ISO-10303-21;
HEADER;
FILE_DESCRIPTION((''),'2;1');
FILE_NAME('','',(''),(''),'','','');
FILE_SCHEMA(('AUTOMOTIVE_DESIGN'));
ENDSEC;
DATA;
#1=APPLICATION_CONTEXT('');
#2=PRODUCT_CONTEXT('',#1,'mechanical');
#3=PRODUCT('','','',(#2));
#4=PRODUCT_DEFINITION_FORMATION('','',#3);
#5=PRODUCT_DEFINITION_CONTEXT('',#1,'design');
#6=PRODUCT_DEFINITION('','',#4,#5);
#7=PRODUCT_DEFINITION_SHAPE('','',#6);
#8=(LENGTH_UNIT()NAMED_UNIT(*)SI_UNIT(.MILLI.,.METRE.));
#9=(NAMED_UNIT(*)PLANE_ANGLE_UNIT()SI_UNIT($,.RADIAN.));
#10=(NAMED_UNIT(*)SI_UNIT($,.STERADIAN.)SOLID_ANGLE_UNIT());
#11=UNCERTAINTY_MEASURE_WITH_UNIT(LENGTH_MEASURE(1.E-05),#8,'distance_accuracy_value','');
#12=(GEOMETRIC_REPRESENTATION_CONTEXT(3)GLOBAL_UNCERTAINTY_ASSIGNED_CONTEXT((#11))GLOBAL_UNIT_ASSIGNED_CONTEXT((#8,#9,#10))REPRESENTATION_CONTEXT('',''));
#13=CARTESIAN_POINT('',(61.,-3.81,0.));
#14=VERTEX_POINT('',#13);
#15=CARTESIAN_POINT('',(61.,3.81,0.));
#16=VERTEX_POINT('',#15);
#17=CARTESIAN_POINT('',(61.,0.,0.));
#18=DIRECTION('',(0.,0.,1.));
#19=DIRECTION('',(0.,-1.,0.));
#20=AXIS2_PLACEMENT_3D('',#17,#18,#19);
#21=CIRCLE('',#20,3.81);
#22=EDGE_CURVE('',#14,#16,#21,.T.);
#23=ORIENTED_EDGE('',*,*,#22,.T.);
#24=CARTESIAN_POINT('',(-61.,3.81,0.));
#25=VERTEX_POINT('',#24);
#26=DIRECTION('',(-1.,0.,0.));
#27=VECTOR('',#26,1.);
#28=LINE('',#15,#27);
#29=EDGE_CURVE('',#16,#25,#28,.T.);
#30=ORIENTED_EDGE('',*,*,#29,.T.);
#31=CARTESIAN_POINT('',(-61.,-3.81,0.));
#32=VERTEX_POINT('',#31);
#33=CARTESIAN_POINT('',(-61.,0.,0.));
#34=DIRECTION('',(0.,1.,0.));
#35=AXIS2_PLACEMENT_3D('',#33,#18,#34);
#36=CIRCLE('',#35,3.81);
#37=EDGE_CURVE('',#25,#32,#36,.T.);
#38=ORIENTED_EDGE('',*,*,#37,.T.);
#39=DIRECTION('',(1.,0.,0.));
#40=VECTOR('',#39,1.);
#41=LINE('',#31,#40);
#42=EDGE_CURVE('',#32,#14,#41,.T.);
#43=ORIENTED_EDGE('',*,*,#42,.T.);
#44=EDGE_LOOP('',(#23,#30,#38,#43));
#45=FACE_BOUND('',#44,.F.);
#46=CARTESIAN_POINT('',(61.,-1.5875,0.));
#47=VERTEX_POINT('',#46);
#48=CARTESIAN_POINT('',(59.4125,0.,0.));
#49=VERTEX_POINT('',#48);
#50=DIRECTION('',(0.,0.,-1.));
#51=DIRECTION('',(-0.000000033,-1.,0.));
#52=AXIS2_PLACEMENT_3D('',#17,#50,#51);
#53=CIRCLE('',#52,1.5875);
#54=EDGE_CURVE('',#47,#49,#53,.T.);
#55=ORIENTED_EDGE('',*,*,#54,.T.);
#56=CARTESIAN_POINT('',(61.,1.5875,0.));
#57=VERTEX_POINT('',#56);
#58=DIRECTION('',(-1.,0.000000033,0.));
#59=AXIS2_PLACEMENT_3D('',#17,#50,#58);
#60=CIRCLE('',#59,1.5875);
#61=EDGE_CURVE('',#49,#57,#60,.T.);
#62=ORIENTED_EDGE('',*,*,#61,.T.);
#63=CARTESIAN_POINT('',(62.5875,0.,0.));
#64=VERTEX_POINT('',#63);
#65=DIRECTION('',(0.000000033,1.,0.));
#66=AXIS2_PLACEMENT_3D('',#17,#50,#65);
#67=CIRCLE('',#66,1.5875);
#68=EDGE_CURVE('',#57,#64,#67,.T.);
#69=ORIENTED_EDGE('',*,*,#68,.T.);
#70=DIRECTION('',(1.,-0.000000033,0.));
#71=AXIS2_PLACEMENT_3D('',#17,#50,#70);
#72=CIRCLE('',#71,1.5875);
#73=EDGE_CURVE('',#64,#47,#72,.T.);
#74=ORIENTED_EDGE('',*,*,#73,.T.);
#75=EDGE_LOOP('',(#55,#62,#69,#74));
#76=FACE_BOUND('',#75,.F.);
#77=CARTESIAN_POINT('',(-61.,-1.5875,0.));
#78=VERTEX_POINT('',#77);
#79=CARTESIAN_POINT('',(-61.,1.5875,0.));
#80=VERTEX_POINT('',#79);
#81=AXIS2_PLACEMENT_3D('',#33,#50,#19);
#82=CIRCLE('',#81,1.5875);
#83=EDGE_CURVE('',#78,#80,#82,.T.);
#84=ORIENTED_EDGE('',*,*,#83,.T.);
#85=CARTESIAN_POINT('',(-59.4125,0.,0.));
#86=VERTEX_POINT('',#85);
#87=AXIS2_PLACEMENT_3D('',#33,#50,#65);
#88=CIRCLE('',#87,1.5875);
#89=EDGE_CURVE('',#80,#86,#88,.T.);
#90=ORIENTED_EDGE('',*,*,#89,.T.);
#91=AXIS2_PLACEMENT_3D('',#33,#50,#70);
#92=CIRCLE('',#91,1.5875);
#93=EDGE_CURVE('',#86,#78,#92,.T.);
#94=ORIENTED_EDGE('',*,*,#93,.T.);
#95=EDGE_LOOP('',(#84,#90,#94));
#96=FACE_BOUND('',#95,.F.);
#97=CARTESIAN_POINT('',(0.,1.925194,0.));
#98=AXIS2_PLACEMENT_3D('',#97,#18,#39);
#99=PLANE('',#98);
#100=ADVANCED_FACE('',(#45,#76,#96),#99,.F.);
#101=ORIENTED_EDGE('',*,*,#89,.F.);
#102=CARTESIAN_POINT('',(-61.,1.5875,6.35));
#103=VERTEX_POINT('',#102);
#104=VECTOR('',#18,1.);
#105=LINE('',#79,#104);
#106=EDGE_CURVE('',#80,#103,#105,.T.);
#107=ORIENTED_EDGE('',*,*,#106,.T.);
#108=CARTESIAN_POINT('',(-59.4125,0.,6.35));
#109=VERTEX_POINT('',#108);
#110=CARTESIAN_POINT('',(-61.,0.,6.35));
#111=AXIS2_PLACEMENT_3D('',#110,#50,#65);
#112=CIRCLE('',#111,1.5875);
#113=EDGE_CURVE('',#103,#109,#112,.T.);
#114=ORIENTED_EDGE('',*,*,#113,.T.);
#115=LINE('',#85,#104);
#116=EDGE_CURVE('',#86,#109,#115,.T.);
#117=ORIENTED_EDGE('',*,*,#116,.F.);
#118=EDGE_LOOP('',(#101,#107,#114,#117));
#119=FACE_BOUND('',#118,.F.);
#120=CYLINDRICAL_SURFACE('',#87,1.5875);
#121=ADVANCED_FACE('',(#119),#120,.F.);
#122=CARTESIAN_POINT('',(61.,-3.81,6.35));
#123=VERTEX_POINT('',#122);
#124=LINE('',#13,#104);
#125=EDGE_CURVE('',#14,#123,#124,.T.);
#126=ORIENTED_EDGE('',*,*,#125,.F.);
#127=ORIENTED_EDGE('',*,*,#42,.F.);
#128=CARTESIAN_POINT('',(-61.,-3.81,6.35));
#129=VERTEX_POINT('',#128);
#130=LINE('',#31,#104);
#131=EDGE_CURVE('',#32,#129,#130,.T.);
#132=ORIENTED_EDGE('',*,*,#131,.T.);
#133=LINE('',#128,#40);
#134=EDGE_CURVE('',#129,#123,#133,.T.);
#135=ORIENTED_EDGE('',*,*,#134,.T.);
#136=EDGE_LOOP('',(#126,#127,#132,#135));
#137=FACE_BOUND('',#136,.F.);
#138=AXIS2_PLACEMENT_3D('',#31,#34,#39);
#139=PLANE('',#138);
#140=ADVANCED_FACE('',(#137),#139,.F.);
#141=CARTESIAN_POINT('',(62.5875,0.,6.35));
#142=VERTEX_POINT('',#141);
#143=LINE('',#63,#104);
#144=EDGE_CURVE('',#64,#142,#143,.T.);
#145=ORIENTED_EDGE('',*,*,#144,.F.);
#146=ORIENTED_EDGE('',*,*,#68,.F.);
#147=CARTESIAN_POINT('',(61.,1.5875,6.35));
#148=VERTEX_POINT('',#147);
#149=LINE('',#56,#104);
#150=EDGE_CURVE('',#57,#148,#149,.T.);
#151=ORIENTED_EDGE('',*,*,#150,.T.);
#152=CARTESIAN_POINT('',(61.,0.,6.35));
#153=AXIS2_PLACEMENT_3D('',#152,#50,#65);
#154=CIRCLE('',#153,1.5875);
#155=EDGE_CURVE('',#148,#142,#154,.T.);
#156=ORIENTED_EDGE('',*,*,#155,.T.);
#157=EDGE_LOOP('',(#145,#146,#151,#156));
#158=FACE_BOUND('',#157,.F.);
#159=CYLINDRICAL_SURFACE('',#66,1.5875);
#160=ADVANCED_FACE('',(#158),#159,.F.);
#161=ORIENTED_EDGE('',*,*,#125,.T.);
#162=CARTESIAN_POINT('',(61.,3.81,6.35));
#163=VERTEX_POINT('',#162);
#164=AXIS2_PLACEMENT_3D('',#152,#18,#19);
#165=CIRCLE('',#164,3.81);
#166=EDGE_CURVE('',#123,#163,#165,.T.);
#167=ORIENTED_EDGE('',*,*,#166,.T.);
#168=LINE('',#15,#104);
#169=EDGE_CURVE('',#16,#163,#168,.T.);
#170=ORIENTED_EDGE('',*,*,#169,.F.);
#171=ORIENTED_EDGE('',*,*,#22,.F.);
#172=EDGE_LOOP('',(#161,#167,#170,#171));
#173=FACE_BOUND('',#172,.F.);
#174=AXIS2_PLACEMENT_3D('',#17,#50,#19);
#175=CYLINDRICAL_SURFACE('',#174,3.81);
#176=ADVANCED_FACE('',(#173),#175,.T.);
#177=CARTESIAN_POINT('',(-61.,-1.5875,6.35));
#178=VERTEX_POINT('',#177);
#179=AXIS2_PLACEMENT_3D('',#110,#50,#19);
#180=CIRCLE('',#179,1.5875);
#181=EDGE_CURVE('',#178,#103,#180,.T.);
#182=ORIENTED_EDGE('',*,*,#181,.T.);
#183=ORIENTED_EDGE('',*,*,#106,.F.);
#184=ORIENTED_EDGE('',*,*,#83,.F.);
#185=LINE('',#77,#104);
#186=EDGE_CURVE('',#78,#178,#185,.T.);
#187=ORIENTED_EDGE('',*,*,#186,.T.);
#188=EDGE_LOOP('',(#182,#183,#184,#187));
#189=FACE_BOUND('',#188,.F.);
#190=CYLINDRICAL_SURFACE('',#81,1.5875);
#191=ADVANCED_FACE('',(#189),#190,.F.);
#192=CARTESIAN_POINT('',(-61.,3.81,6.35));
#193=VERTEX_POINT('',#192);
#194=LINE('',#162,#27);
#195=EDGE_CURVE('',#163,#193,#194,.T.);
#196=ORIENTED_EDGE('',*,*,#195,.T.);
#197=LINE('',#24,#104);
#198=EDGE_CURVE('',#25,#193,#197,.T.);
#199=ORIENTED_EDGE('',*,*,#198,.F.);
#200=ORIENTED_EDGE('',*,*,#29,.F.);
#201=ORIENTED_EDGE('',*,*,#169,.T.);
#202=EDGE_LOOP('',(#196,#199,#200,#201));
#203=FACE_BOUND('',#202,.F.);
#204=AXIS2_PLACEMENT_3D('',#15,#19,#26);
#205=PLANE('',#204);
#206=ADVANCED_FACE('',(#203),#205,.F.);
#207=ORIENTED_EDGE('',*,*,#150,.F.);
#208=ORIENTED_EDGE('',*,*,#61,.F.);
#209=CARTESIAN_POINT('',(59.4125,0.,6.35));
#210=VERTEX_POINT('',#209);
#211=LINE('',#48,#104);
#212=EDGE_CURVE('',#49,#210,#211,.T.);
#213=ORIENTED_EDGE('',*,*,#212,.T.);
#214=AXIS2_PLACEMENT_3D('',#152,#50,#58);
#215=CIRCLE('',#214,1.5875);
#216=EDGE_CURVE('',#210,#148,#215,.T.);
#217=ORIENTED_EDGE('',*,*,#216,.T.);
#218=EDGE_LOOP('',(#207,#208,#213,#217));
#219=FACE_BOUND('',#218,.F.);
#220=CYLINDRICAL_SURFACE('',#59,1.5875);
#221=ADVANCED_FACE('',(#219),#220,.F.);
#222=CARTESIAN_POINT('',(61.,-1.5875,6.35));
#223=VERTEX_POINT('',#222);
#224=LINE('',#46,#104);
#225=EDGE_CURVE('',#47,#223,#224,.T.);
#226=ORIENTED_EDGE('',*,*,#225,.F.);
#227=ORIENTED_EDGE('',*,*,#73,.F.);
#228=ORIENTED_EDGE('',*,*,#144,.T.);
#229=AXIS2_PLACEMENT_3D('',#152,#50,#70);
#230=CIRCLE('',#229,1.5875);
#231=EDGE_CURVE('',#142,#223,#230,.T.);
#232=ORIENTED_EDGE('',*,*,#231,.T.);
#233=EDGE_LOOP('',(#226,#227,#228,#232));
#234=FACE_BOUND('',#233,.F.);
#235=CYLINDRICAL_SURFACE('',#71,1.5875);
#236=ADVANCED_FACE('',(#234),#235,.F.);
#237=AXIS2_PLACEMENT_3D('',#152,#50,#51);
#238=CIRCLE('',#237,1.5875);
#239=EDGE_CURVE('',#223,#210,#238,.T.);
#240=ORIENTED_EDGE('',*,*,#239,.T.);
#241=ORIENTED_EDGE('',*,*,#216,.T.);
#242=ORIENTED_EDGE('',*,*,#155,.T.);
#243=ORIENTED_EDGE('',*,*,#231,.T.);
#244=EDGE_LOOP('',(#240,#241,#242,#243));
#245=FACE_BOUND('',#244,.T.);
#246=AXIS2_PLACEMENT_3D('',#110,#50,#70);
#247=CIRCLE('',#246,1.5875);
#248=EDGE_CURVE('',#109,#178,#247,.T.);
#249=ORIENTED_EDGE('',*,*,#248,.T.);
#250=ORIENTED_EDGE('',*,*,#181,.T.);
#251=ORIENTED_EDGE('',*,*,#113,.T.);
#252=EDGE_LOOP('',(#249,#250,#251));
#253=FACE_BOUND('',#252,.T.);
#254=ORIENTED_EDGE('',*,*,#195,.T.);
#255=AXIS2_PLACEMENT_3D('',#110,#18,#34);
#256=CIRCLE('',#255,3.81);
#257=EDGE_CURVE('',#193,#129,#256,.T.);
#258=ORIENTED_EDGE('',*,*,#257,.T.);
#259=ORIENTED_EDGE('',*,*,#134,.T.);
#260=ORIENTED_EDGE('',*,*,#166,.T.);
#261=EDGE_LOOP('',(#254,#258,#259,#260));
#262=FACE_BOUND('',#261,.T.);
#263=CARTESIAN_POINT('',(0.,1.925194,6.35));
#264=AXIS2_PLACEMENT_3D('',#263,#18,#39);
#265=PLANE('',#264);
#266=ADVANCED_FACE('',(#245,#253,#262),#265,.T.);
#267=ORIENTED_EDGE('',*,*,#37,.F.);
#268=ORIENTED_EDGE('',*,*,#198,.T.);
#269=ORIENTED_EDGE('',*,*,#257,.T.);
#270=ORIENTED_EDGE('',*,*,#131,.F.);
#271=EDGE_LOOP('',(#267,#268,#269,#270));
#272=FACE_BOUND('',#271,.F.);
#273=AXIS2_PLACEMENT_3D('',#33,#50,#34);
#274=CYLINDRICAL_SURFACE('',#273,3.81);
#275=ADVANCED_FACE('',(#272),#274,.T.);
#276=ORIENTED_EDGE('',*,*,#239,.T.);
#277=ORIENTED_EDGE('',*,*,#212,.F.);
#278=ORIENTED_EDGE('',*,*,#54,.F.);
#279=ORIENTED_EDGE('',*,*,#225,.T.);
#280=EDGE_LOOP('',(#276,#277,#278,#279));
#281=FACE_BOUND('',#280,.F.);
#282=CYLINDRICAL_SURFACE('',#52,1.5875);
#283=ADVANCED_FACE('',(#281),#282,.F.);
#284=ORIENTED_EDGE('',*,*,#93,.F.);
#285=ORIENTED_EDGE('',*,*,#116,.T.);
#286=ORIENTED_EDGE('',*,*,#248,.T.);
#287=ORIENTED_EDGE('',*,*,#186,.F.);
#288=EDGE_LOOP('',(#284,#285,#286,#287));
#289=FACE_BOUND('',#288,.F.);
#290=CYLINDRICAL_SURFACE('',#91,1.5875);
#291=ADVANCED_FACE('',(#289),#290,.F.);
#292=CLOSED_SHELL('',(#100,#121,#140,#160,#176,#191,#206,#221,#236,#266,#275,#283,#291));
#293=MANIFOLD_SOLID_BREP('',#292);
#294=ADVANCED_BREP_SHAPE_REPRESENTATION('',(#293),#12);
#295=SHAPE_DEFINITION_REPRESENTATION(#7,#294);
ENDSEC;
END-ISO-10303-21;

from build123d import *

# Parameters (mm, degrees)
F1_DEPTH = 6.35


with BuildPart() as f1:
    # F0 (on Top) → F1 (new body)
    with BuildSketch(Plane.XY):
        with BuildLine():
            ThreePointArc((-61, 1.5875), (-59.877468, 1.122532), (-59.4125, 0))
            Line((-59.4125, 0), (59.4125, 0))
            ThreePointArc((59.4125, 0), (59.877468, 1.122532), (61, 1.5875))
            Line((61, 1.5875), (61, 3.81))
            Line((61, 3.81), (-61, 3.81))
            Line((-61, 3.81), (-61, 1.5875))
        make_face()
        with BuildLine():
            Line((59.4125, 0), (-59.4125, 0))
            ThreePointArc((-59.4125, 0), (-59.877468, -1.122532), (-61, -1.5875))
            Line((-61, -1.5875), (-61, -3.81))
            Line((-61, -3.81), (61, -3.81))
            Line((61, -3.81), (61, -1.5875))
            ThreePointArc((61, -1.5875), (59.877468, -1.122532), (59.4125, 0))
        make_face()
        with BuildLine():
            Line((-61, -3.81), (-61, -1.5875))
            ThreePointArc((-61, -1.5875), (-62.5875, 0), (-61, 1.5875))
            Line((-61, 1.5875), (-61, 3.81))
            ThreePointArc((-61, 3.81), (-64.81, 0), (-61, -3.81))
        make_face()
        with BuildLine():
            Line((61, 3.81), (61, 1.5875))
            ThreePointArc((61, 1.5875), (62.122532, 1.122532), (62.5875, 0))
            ThreePointArc((62.5875, 0), (62.122532, -1.122532), (61, -1.5875))
            Line((61, -1.5875), (61, -3.81))
            ThreePointArc((61, -3.81), (64.81, 0), (61, 3.81))
        make_face()
    extrude(amount=F1_DEPTH)


solid = f1.part
